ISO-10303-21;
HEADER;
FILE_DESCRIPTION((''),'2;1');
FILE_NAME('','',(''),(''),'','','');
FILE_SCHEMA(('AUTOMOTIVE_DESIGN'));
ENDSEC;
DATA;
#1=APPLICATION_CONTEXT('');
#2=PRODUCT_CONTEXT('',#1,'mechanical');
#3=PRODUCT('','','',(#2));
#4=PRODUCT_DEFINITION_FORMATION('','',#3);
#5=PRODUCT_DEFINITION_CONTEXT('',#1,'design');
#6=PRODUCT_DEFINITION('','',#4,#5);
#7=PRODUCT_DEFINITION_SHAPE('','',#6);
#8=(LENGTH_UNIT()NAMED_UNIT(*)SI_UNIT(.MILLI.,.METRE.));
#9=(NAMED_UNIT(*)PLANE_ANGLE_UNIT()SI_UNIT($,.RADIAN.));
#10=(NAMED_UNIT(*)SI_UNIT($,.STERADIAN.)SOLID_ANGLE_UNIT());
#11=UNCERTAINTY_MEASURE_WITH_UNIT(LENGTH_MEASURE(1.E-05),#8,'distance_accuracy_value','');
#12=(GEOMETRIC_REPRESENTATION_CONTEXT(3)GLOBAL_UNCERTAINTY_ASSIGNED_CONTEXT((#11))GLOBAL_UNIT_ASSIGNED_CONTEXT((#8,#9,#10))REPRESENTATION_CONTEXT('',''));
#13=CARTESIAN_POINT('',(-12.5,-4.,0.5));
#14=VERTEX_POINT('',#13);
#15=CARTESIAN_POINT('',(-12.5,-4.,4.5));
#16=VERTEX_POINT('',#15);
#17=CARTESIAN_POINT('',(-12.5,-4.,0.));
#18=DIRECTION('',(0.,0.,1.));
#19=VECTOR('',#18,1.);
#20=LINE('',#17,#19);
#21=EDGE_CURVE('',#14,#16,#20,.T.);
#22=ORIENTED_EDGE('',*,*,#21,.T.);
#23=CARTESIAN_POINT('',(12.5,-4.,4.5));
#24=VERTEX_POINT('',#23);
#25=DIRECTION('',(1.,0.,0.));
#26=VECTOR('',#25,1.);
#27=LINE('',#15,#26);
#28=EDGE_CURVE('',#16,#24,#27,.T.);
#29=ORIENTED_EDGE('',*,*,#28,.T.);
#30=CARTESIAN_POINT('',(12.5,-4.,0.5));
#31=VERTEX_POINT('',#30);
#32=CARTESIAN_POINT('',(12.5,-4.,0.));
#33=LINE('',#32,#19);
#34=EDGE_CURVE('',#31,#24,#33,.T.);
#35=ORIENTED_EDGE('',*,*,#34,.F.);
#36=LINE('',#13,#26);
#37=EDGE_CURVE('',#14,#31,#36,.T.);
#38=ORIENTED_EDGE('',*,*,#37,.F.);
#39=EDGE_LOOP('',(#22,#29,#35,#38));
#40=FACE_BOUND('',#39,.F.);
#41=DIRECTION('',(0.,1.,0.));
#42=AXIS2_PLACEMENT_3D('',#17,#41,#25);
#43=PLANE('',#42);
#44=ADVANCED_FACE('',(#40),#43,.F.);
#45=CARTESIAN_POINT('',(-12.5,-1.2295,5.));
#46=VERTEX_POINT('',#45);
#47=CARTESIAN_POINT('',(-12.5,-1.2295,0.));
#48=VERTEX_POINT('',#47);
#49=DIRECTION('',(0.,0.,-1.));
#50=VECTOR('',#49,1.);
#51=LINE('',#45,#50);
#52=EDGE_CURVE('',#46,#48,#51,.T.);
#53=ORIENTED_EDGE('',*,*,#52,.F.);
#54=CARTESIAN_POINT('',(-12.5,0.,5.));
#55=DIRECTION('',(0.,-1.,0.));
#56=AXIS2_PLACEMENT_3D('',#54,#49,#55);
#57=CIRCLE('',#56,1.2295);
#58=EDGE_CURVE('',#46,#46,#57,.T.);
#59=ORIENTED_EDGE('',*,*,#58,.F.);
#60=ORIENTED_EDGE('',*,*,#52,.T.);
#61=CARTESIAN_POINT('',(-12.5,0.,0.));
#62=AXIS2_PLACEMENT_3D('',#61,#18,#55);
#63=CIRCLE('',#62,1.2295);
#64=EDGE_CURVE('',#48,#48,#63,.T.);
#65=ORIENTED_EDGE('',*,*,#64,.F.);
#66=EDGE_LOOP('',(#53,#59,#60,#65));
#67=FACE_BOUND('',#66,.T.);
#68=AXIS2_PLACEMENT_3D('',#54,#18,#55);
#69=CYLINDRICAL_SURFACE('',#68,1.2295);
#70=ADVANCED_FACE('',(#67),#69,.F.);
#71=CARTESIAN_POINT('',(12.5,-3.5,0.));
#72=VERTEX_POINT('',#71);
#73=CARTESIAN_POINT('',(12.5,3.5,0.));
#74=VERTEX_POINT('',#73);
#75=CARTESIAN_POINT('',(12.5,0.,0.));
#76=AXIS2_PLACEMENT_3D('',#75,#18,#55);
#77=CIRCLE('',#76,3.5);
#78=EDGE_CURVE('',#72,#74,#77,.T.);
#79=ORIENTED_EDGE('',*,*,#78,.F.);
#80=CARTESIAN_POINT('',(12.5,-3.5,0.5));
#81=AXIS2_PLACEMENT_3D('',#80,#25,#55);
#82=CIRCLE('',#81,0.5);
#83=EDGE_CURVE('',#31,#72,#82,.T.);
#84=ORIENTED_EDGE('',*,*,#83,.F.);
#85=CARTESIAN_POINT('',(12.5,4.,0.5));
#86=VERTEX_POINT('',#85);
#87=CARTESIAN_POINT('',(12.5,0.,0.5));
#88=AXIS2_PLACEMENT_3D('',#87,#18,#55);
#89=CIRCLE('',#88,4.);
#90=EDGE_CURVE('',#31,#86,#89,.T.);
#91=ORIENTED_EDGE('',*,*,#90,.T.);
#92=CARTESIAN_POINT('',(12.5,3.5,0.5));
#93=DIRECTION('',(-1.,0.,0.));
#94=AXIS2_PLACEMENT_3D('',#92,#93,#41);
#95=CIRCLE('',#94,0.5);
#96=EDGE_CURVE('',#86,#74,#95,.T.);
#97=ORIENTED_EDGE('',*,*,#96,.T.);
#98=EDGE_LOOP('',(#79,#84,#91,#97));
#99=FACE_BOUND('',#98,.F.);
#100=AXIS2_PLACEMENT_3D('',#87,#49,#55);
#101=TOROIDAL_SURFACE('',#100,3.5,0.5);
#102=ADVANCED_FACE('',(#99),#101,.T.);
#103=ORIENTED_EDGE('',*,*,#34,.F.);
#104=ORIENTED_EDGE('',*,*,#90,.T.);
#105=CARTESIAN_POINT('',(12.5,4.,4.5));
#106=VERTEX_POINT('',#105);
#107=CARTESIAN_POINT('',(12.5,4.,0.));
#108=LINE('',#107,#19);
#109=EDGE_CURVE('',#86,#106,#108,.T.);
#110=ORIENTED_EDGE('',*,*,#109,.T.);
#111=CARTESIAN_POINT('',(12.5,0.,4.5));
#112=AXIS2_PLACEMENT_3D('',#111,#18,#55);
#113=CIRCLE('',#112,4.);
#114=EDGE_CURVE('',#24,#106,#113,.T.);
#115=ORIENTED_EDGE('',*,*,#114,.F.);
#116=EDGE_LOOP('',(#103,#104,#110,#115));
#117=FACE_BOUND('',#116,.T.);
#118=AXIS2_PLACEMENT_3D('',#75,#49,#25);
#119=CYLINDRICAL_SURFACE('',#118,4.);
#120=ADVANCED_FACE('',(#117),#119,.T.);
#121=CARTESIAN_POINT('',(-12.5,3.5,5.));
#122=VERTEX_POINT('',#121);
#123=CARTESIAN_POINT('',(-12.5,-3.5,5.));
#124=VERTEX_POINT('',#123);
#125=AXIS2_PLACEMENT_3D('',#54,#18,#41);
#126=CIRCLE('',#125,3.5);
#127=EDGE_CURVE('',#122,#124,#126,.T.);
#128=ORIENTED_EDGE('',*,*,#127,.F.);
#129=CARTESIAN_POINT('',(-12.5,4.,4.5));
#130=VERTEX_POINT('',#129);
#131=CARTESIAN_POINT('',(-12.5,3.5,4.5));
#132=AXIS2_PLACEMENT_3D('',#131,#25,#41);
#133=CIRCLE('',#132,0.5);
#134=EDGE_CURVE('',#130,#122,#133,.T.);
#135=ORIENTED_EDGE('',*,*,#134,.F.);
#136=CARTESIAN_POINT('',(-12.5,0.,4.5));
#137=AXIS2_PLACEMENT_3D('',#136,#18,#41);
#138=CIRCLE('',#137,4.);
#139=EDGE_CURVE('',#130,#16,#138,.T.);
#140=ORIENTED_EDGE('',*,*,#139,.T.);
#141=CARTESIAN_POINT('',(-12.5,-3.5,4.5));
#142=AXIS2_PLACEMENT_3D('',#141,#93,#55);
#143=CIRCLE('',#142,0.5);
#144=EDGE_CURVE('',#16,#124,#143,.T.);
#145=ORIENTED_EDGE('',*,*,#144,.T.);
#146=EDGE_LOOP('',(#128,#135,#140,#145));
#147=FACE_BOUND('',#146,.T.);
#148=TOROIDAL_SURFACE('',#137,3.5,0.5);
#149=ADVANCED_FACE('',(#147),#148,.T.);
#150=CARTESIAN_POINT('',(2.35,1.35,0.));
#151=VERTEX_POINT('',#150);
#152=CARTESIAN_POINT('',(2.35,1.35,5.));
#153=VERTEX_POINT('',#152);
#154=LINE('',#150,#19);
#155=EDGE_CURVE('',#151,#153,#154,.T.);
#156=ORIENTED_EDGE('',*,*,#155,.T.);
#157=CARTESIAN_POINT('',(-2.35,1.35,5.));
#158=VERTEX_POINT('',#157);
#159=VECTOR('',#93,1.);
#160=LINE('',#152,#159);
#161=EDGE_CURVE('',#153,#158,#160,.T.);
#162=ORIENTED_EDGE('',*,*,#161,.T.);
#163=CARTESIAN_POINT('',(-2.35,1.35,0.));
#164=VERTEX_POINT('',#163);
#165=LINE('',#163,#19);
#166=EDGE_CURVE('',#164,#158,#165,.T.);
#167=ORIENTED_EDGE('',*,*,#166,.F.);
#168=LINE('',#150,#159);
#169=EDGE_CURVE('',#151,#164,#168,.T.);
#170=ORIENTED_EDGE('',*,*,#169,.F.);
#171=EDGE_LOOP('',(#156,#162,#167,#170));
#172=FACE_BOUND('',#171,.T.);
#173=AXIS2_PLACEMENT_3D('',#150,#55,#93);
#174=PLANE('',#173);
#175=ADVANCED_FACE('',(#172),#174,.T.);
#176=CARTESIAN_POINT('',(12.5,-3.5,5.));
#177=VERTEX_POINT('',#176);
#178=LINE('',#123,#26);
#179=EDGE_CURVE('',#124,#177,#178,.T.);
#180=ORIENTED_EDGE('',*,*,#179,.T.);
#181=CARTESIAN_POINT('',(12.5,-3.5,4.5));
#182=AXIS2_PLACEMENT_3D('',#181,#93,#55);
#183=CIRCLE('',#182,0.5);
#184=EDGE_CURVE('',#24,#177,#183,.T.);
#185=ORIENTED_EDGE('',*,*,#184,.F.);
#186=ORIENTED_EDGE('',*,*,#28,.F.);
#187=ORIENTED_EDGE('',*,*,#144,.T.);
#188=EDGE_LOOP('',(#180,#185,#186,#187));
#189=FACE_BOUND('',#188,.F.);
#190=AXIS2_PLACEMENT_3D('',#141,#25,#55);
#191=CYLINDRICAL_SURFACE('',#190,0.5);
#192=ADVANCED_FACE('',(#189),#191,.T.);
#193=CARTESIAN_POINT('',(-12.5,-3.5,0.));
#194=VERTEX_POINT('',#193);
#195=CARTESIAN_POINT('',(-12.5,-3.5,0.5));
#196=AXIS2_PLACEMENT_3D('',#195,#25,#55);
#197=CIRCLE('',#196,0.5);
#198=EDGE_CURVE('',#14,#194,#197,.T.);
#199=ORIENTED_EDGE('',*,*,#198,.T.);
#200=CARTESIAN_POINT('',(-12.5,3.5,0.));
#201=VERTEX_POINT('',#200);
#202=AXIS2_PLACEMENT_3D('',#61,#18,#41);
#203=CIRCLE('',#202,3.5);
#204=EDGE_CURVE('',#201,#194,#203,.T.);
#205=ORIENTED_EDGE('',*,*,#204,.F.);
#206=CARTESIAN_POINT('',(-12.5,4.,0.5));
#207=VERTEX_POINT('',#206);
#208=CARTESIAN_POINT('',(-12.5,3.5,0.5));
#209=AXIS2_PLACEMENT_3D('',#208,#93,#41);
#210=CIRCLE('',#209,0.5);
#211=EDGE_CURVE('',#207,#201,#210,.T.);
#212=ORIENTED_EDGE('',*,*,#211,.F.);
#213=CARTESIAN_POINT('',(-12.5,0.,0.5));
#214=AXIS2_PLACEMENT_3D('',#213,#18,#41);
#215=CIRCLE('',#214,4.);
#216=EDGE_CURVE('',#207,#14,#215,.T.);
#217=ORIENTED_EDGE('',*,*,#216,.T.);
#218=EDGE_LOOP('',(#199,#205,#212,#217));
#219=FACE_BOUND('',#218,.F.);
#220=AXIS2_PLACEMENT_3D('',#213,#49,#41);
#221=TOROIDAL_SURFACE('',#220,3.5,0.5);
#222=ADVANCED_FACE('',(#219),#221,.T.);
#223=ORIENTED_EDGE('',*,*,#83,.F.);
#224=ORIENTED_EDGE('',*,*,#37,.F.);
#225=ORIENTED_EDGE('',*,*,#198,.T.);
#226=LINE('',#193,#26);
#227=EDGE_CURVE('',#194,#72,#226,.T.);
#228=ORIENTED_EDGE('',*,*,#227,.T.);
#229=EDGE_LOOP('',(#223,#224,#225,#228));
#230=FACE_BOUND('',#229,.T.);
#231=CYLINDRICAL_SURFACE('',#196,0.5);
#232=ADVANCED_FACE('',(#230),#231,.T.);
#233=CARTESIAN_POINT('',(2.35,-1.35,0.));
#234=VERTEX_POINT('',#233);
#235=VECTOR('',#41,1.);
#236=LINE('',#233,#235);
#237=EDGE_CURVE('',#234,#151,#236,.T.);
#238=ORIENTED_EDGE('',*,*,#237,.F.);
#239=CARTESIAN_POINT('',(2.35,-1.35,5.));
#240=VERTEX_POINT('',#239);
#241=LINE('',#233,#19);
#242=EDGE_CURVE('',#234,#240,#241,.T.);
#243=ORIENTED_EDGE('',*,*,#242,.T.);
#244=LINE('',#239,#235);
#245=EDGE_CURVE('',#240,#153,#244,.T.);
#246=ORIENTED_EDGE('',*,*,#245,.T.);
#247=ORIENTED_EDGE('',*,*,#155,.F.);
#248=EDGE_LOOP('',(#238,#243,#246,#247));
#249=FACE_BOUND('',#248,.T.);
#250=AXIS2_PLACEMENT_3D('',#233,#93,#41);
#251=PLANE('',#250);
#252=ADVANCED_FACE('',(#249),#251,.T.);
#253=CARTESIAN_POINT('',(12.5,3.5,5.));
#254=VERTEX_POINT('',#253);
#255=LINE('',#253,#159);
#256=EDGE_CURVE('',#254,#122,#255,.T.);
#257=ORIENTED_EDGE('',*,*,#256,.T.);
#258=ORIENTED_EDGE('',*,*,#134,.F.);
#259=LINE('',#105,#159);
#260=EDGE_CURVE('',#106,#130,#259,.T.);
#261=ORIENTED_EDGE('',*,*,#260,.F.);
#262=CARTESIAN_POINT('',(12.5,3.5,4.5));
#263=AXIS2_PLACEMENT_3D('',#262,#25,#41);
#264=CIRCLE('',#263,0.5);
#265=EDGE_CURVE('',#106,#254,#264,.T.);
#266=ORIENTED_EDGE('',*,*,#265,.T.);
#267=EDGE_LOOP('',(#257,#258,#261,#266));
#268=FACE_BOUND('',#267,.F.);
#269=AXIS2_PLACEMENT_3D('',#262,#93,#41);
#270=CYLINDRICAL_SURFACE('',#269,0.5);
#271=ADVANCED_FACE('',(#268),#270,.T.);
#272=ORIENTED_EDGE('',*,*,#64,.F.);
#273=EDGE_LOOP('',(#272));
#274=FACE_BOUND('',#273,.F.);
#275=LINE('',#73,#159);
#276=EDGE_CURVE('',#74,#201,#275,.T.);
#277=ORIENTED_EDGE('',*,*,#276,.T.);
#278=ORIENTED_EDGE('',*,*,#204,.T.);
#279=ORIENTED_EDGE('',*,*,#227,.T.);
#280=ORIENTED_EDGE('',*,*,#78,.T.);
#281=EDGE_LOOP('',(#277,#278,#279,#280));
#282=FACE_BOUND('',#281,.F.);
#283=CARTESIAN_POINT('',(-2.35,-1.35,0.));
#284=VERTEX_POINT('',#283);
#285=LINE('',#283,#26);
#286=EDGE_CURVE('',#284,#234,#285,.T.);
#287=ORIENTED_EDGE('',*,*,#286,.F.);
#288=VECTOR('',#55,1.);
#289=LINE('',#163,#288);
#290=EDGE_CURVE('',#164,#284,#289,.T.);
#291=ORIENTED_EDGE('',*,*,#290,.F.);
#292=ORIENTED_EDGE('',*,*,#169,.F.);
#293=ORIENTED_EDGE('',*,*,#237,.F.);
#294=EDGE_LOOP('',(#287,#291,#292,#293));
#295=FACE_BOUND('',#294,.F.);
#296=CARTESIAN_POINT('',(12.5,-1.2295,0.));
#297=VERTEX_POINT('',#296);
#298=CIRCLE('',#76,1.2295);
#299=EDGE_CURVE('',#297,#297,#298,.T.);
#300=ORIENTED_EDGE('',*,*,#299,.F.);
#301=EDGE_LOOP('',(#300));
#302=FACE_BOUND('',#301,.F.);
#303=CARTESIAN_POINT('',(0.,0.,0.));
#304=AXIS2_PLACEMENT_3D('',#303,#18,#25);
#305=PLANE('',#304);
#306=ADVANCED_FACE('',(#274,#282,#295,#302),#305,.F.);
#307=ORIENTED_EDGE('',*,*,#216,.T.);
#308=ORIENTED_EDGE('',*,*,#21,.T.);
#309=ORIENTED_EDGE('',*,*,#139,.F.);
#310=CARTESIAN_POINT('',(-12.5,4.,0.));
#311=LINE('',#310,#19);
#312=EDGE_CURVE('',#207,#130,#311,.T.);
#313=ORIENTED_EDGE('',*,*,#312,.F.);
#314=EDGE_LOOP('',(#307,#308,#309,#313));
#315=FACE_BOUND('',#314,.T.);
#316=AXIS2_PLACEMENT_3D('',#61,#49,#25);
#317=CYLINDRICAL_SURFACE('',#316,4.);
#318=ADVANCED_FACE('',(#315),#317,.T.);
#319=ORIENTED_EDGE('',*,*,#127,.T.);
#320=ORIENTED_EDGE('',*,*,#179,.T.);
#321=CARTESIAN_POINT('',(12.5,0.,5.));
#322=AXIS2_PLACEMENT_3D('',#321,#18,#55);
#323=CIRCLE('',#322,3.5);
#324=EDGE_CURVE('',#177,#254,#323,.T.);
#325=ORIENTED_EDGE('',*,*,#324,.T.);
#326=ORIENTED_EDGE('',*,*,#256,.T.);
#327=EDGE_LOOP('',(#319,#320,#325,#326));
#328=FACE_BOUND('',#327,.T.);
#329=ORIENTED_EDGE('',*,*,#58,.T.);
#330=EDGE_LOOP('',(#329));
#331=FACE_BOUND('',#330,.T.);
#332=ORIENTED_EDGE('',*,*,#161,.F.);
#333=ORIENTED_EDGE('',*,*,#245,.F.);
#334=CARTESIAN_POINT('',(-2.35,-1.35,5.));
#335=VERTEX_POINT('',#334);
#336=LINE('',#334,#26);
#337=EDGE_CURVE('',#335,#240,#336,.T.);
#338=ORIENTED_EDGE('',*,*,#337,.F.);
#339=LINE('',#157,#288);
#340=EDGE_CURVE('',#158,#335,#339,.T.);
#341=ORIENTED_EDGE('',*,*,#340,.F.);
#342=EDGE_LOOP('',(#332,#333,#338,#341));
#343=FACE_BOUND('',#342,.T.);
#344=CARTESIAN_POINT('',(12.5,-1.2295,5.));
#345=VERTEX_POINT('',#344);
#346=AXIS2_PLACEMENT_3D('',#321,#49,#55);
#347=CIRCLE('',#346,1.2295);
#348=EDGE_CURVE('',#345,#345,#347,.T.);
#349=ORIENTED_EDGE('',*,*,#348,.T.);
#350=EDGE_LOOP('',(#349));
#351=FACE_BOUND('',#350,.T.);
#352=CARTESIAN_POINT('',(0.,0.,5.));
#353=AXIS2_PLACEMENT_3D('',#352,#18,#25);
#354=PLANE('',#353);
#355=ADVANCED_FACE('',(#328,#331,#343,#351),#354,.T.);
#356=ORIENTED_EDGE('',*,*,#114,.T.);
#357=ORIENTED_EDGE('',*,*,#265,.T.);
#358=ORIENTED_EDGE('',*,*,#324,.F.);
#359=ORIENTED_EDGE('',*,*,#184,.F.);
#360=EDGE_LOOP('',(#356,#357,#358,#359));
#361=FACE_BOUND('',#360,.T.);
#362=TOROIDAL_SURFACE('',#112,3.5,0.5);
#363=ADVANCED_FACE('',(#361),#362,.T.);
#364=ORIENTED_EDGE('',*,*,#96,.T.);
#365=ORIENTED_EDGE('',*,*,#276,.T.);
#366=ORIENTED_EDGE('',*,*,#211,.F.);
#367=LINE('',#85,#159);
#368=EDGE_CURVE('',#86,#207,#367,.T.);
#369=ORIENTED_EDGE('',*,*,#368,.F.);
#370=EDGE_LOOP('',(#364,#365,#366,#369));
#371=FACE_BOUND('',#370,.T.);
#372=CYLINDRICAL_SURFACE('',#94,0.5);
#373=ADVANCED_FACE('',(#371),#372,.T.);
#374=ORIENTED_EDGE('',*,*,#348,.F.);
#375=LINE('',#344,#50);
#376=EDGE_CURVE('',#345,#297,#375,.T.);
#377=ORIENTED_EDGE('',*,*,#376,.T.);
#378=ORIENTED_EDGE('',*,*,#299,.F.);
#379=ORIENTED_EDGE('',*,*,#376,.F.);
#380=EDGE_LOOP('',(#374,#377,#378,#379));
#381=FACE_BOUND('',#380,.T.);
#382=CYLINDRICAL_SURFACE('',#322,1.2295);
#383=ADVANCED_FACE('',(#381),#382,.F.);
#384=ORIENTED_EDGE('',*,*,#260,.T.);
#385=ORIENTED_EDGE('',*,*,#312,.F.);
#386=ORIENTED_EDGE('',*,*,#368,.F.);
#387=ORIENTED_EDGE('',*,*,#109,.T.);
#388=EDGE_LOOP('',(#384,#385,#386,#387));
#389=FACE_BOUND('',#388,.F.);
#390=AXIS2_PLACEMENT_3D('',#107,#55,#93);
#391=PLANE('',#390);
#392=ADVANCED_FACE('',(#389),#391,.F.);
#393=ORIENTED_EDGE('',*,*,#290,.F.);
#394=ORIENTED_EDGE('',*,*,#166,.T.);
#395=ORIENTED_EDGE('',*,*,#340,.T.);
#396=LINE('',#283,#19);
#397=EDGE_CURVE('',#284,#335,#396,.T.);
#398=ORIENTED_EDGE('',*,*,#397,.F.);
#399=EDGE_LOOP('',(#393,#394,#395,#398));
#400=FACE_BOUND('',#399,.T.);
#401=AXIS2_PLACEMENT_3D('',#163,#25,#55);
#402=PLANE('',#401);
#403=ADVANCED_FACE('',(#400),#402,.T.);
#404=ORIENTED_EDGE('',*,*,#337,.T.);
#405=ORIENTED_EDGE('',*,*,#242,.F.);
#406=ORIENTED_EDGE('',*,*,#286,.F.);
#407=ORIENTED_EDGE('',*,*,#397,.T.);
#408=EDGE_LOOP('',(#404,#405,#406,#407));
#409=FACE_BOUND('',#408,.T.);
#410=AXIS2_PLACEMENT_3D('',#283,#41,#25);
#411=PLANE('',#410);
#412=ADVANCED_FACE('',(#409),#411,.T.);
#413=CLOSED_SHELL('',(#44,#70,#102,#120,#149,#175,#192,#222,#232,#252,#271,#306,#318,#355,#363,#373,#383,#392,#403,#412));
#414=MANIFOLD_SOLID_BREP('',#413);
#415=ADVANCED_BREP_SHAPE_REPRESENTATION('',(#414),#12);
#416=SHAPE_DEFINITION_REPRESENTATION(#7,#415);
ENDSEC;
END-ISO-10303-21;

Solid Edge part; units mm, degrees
sketch "Sketch1" plane through (0, 0, 0) normal (0, 0, 1) x (1, 0, 0)
  line L0 (-2.35, -1.35) -> (2.35, -1.35)
  line L1 (2.35, -1.35) -> (2.35, 1.35)
  line L2 (2.35, 1.35) -> (-2.35, 1.35)
  line L3 (-2.35, 1.35) -> (-2.35, -1.35)
  line L4 (12.5, 4) -> (-12.5, 4)
  line L5 (-12.5, -4) -> (12.5, -4)
  arc A0 (-12.5, -4) -> (-12.5, 4) centre (-12.5, 0) cw
  arc A1 (12.5, 4) -> (12.5, -4) centre (12.5, 0) cw
extrude "Protrusion1" add sketch "Sketch1" along normal blind 5
fillet "Round_1" radius 0.5 6 edges at (0, 4, 5) (-16.5, 0, 5) (16.5, 0, 5) (0, -4, 0) (16.5, 0, 0) (-16.5, 0, 0)
hole "Hole_3" at (12.5, 0, 5) direction (0, 0, -1) diameter 2.459 end through all
hole "Hole1" at (-12.5, 0, 5) direction (0, 0, -1) diameter 2.459 end through all
